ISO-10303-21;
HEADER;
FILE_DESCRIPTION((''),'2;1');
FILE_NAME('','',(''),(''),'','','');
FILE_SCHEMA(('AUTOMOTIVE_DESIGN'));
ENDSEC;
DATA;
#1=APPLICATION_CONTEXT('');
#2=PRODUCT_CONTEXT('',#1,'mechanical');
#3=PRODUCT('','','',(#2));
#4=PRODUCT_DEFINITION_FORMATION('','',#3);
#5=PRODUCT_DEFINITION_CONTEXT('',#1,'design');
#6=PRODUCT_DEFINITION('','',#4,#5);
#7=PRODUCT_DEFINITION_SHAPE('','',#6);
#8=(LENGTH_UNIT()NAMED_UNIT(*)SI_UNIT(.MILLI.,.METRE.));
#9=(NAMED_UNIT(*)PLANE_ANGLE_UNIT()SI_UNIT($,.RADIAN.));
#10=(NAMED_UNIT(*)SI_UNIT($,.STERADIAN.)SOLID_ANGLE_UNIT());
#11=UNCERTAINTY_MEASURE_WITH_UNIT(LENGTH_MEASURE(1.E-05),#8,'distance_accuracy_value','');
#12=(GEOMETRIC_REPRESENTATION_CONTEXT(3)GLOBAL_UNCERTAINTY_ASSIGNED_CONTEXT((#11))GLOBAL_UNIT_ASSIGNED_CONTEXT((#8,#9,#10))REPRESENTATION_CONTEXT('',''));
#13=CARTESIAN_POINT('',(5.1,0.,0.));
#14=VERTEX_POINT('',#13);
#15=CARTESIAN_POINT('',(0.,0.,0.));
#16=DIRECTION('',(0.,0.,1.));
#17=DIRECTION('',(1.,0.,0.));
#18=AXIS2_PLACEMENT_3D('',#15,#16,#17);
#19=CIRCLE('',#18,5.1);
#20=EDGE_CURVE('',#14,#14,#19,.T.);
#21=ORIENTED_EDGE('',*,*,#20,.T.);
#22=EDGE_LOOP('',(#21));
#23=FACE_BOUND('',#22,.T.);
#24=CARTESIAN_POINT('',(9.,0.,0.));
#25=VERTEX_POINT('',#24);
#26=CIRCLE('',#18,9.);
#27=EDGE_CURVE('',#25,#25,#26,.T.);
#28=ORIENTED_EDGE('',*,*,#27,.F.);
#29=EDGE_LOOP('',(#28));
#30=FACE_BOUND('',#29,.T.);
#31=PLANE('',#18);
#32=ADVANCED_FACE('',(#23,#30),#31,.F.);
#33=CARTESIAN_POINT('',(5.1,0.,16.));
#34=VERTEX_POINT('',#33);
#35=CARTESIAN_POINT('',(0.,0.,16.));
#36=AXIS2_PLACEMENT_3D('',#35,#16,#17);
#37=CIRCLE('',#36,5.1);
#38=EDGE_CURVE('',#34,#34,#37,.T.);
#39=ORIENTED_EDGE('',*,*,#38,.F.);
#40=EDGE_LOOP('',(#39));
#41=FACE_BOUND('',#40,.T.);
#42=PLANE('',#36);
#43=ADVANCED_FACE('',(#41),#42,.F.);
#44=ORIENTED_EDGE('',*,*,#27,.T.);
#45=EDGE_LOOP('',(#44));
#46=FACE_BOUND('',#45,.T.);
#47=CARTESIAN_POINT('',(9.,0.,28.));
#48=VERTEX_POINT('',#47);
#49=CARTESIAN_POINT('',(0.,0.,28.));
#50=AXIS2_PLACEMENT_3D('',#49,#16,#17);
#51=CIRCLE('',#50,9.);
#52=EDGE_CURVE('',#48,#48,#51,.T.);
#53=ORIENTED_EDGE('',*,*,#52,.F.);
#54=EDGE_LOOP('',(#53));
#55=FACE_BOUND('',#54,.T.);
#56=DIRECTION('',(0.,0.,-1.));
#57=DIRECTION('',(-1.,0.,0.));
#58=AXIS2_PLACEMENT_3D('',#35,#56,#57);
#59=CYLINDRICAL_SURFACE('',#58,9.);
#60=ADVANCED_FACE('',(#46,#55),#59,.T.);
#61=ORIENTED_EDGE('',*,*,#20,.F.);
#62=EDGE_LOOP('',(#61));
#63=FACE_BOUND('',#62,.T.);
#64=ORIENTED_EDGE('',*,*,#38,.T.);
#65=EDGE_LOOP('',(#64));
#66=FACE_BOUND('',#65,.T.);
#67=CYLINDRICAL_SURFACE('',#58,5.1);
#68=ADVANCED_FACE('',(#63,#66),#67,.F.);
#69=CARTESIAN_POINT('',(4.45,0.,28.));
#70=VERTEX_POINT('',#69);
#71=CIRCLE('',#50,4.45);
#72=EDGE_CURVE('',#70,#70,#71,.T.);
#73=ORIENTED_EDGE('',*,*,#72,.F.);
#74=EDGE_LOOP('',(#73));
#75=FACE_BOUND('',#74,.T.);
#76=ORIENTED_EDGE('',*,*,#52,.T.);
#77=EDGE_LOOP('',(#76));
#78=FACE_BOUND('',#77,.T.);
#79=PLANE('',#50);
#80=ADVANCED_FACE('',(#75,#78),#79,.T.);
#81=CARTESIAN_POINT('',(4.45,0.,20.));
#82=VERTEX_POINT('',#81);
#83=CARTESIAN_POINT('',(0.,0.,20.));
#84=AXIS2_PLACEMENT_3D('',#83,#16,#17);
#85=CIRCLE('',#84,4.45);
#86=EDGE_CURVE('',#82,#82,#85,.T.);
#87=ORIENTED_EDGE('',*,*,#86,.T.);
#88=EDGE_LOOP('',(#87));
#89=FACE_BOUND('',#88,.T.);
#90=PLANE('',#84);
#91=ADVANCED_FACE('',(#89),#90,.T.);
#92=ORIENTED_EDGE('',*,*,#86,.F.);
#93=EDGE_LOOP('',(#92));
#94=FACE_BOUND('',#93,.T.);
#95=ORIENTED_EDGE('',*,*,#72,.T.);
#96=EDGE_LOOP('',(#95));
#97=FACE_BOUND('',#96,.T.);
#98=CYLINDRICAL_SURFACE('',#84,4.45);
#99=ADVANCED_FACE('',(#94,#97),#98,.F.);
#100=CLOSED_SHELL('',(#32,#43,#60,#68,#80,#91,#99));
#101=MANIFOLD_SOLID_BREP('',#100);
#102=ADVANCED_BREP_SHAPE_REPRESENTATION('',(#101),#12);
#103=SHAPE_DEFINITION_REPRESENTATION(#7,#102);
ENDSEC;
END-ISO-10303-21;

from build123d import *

# Parameters (mm, degrees)
SKETCH1_R           = 9
SKETCH1_R_2         = 5.1
BOSS_EXTRUDE1_DEPTH = 16
SKETCH2_R           = 9
BOSS_EXTRUDE2_DEPTH = 12
SKETCH5_R           = 4.45
CUT_EXTRUDE1_DEPTH  = 8


with BuildPart() as part:
    # Sketch1 → Boss-Extrude1 (new body)
    with BuildSketch(Plane.XY):
        Circle(SKETCH1_R)
        Circle(SKETCH1_R_2, mode=Mode.SUBTRACT)
    extrude(amount=BOSS_EXTRUDE1_DEPTH)

    # Sketch2 → Boss-Extrude2 (add)
    with BuildSketch(Plane.XY.offset(16)):
        Circle(SKETCH2_R)
    extrude(amount=BOSS_EXTRUDE2_DEPTH)

    # Sketch5 → Cut-Extrude1 (cut)
    with BuildSketch(Plane.XY.offset(28)):
        Circle(SKETCH5_R)
    extrude(amount=-CUT_EXTRUDE1_DEPTH, mode=Mode.SUBTRACT)


solid = part.part
